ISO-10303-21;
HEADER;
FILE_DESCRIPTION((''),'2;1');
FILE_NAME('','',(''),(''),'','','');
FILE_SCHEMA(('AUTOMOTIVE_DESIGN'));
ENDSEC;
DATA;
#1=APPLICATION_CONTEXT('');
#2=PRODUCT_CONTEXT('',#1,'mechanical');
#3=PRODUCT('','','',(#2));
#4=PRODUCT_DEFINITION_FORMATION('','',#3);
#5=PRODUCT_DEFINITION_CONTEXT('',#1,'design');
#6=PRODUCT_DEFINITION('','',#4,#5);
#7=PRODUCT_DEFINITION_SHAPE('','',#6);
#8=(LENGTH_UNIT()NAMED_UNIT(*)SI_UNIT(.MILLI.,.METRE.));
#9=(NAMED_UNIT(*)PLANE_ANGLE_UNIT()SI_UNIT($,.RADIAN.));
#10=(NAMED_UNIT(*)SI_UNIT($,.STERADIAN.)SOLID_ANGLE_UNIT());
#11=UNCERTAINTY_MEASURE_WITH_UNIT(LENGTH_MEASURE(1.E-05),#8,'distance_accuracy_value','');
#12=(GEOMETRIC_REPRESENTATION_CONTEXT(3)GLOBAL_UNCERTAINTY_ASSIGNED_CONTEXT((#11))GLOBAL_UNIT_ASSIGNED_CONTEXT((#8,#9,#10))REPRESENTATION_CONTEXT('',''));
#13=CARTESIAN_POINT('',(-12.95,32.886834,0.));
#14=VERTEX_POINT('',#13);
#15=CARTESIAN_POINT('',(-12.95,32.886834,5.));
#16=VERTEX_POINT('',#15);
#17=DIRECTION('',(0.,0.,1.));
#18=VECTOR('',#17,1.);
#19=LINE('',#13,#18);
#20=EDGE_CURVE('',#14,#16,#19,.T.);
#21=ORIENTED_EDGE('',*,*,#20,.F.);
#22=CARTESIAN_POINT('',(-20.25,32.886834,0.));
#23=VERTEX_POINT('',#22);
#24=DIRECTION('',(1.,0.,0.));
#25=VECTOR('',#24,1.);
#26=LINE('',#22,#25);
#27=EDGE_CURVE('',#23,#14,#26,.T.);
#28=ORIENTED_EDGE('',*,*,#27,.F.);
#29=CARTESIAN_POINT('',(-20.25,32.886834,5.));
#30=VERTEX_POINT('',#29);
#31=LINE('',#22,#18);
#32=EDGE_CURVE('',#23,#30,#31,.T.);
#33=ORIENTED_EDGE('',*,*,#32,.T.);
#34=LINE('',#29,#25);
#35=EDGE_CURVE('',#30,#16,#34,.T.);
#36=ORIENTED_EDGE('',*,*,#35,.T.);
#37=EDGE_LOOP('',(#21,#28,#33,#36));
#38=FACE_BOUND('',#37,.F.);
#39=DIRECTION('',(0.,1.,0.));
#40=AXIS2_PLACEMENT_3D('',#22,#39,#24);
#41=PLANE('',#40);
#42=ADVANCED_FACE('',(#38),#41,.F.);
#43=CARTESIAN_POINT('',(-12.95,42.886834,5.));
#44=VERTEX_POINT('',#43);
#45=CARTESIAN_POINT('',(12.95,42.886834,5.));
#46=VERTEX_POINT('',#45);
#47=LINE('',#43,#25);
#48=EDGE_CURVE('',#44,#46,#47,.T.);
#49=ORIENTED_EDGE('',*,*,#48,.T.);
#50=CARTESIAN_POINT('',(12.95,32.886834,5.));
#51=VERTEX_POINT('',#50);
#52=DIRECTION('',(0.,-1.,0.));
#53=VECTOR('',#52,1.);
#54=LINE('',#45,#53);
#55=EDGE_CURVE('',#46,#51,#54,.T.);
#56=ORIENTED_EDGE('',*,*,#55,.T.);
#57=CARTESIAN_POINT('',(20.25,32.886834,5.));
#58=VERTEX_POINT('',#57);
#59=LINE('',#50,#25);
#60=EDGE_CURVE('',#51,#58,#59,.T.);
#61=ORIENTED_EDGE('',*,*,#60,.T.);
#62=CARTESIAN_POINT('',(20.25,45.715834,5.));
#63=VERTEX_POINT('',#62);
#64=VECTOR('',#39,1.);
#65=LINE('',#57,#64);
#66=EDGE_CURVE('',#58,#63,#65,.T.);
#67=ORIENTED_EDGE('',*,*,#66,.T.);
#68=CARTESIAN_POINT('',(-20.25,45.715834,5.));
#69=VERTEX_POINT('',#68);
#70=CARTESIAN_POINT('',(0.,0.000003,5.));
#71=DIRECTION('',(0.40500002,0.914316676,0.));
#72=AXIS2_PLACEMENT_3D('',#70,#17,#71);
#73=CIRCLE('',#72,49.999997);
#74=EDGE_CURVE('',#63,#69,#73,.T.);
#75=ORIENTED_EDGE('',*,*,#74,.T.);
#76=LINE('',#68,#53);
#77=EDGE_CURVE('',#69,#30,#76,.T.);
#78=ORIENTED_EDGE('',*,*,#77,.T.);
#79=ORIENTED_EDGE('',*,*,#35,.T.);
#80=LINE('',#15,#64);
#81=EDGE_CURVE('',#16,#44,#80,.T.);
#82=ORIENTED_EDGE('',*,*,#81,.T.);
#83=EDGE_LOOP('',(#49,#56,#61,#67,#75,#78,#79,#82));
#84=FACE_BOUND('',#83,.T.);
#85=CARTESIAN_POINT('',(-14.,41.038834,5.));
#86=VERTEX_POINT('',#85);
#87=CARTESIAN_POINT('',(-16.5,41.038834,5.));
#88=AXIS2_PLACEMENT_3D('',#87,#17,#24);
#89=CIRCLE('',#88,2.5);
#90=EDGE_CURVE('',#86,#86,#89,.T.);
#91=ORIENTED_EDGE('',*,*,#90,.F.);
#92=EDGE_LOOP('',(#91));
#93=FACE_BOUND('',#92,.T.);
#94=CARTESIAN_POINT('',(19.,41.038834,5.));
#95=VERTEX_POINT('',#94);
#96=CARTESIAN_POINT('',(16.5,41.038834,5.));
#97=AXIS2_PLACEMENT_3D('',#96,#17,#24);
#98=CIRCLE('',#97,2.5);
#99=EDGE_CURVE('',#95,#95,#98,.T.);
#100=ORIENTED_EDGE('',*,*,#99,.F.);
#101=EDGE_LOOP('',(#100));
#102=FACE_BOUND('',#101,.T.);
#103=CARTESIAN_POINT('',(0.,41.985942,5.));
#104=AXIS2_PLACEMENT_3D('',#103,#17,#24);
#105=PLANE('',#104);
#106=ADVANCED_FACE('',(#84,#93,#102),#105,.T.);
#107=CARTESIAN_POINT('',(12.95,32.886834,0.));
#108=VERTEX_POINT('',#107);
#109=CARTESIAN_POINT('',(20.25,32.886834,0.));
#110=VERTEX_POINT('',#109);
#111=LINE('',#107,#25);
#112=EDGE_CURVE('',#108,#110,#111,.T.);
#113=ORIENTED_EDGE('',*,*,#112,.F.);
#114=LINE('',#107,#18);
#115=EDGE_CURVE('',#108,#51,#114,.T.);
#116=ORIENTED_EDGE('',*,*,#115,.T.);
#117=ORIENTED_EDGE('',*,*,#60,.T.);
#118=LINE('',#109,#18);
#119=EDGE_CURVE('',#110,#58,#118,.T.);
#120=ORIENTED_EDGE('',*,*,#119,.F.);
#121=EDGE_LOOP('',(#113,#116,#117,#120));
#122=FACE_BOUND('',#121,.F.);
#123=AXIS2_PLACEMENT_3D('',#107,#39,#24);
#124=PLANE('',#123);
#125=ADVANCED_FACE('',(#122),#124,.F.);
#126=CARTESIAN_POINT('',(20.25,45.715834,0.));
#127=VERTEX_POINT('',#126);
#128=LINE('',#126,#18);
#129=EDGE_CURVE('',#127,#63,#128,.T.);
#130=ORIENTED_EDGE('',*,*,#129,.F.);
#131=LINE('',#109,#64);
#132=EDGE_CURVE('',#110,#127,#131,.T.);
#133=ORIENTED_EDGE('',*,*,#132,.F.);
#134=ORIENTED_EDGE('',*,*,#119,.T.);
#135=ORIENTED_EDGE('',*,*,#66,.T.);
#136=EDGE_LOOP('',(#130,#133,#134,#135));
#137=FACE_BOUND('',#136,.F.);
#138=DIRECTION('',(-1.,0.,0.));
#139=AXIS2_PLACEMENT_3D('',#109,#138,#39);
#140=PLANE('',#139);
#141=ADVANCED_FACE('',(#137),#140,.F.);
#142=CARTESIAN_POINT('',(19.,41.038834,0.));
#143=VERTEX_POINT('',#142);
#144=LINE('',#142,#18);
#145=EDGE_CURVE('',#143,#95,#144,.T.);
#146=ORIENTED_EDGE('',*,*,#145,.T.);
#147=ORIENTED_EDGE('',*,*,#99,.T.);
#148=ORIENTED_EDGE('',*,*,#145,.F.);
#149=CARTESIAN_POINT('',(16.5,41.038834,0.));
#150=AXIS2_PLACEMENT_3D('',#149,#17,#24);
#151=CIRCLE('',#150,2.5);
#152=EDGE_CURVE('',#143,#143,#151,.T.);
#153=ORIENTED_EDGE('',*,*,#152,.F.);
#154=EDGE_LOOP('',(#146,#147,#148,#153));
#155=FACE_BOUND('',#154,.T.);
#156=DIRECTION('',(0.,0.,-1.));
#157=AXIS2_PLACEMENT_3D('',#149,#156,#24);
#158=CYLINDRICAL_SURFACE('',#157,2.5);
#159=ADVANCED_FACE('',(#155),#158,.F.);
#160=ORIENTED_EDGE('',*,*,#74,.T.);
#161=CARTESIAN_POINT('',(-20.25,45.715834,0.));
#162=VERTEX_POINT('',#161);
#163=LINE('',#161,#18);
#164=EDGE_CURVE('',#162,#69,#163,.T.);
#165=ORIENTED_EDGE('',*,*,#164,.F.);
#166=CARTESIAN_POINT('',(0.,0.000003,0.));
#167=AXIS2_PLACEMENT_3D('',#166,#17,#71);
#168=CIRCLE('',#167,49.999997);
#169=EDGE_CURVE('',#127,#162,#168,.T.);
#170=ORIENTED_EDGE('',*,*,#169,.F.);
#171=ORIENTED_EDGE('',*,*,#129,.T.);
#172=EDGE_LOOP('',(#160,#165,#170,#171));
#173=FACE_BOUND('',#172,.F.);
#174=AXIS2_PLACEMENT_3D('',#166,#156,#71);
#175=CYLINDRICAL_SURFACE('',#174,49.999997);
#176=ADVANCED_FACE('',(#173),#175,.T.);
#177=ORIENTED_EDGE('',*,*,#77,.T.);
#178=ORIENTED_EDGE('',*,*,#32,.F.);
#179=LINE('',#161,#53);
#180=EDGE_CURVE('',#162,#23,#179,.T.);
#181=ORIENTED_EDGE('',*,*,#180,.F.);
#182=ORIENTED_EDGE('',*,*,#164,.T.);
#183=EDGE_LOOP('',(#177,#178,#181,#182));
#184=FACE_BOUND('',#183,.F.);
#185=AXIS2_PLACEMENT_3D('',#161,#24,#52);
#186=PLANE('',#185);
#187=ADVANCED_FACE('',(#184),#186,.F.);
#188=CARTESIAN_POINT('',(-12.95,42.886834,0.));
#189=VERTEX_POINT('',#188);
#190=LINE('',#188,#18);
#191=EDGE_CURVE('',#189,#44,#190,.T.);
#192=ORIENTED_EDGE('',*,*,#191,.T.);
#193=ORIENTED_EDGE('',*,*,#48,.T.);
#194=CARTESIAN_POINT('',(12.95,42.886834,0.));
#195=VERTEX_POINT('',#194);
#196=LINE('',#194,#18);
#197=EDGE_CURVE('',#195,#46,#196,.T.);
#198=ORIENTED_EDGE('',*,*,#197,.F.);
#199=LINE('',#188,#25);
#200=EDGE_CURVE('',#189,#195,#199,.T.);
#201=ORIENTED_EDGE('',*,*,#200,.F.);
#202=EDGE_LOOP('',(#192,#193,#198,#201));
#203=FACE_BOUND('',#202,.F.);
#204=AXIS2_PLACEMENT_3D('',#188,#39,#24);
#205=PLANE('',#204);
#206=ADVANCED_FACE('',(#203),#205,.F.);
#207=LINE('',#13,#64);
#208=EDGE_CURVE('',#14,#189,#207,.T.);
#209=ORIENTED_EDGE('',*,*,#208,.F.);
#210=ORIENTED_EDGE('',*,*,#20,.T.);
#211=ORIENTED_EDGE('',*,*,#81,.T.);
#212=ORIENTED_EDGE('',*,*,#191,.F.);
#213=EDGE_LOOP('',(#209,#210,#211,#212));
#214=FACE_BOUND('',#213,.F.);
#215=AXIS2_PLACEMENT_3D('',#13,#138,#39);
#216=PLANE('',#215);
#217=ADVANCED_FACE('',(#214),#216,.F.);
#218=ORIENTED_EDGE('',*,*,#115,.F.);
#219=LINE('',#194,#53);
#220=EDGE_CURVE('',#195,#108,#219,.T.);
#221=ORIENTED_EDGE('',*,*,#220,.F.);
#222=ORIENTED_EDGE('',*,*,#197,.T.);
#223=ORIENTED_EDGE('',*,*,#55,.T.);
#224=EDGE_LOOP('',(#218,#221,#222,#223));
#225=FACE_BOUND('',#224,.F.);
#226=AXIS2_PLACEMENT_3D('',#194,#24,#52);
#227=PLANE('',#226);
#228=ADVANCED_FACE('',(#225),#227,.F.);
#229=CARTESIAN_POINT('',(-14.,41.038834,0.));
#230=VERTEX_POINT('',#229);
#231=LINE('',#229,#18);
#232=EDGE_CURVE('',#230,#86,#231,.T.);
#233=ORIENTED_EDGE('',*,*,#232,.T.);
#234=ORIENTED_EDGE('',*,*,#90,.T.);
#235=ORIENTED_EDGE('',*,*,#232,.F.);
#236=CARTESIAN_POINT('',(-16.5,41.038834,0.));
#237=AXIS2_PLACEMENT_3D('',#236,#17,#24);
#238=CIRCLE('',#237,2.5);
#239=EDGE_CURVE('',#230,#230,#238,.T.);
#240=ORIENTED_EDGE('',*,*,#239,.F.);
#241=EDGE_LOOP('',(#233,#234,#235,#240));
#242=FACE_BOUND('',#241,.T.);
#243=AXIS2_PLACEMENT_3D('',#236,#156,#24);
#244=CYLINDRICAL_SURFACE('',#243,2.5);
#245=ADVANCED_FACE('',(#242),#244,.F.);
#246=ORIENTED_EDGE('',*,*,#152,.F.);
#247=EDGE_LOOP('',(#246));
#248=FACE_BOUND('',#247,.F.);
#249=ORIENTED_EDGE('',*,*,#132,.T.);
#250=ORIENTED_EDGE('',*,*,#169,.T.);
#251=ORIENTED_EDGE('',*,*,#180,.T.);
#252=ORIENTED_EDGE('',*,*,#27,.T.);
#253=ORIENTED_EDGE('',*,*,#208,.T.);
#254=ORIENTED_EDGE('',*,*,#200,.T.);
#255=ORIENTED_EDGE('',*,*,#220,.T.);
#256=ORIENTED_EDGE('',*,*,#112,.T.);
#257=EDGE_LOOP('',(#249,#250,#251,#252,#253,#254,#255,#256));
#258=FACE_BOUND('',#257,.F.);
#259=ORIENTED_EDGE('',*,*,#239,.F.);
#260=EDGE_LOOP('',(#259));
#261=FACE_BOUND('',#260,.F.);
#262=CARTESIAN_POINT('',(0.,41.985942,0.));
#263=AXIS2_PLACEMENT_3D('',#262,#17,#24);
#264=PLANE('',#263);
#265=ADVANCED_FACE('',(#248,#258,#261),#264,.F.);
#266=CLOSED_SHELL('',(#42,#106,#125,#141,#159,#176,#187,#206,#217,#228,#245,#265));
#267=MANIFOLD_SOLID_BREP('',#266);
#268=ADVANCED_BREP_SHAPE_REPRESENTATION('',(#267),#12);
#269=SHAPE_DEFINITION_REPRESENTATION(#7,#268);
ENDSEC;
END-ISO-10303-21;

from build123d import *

# Parameters (mm, degrees)
F0_R     = 2.5
F1_DEPTH = 5


with BuildPart() as f1:
    # F0 (on Top) → F1 (new body)
    with BuildSketch(Plane.XY):
        with BuildLine():
            Line((20.25, 32.886834), (20.25, 45.715834))
            ThreePointArc((20.25, 45.715834), (0, 50), (-20.25, 45.715834))
            Line((-20.25, 45.715834), (-20.25, 32.886834))
            Line((-20.25, 32.886834), (-12.95, 32.886834))
            Line((-12.95, 32.886834), (-12.95, 42.886834))
            Line((-12.95, 42.886834), (12.95, 42.886834))
            Line((12.95, 42.886834), (12.95, 32.886834))
            Line((12.95, 32.886834), (20.25, 32.886834))
        make_face()
        with Locations((-16.5, 41.038834)):
            Circle(F0_R, mode=Mode.SUBTRACT)
        with Locations((16.5, 41.038834)):
            Circle(F0_R, mode=Mode.SUBTRACT)
    extrude(amount=F1_DEPTH)


solid = f1.part
